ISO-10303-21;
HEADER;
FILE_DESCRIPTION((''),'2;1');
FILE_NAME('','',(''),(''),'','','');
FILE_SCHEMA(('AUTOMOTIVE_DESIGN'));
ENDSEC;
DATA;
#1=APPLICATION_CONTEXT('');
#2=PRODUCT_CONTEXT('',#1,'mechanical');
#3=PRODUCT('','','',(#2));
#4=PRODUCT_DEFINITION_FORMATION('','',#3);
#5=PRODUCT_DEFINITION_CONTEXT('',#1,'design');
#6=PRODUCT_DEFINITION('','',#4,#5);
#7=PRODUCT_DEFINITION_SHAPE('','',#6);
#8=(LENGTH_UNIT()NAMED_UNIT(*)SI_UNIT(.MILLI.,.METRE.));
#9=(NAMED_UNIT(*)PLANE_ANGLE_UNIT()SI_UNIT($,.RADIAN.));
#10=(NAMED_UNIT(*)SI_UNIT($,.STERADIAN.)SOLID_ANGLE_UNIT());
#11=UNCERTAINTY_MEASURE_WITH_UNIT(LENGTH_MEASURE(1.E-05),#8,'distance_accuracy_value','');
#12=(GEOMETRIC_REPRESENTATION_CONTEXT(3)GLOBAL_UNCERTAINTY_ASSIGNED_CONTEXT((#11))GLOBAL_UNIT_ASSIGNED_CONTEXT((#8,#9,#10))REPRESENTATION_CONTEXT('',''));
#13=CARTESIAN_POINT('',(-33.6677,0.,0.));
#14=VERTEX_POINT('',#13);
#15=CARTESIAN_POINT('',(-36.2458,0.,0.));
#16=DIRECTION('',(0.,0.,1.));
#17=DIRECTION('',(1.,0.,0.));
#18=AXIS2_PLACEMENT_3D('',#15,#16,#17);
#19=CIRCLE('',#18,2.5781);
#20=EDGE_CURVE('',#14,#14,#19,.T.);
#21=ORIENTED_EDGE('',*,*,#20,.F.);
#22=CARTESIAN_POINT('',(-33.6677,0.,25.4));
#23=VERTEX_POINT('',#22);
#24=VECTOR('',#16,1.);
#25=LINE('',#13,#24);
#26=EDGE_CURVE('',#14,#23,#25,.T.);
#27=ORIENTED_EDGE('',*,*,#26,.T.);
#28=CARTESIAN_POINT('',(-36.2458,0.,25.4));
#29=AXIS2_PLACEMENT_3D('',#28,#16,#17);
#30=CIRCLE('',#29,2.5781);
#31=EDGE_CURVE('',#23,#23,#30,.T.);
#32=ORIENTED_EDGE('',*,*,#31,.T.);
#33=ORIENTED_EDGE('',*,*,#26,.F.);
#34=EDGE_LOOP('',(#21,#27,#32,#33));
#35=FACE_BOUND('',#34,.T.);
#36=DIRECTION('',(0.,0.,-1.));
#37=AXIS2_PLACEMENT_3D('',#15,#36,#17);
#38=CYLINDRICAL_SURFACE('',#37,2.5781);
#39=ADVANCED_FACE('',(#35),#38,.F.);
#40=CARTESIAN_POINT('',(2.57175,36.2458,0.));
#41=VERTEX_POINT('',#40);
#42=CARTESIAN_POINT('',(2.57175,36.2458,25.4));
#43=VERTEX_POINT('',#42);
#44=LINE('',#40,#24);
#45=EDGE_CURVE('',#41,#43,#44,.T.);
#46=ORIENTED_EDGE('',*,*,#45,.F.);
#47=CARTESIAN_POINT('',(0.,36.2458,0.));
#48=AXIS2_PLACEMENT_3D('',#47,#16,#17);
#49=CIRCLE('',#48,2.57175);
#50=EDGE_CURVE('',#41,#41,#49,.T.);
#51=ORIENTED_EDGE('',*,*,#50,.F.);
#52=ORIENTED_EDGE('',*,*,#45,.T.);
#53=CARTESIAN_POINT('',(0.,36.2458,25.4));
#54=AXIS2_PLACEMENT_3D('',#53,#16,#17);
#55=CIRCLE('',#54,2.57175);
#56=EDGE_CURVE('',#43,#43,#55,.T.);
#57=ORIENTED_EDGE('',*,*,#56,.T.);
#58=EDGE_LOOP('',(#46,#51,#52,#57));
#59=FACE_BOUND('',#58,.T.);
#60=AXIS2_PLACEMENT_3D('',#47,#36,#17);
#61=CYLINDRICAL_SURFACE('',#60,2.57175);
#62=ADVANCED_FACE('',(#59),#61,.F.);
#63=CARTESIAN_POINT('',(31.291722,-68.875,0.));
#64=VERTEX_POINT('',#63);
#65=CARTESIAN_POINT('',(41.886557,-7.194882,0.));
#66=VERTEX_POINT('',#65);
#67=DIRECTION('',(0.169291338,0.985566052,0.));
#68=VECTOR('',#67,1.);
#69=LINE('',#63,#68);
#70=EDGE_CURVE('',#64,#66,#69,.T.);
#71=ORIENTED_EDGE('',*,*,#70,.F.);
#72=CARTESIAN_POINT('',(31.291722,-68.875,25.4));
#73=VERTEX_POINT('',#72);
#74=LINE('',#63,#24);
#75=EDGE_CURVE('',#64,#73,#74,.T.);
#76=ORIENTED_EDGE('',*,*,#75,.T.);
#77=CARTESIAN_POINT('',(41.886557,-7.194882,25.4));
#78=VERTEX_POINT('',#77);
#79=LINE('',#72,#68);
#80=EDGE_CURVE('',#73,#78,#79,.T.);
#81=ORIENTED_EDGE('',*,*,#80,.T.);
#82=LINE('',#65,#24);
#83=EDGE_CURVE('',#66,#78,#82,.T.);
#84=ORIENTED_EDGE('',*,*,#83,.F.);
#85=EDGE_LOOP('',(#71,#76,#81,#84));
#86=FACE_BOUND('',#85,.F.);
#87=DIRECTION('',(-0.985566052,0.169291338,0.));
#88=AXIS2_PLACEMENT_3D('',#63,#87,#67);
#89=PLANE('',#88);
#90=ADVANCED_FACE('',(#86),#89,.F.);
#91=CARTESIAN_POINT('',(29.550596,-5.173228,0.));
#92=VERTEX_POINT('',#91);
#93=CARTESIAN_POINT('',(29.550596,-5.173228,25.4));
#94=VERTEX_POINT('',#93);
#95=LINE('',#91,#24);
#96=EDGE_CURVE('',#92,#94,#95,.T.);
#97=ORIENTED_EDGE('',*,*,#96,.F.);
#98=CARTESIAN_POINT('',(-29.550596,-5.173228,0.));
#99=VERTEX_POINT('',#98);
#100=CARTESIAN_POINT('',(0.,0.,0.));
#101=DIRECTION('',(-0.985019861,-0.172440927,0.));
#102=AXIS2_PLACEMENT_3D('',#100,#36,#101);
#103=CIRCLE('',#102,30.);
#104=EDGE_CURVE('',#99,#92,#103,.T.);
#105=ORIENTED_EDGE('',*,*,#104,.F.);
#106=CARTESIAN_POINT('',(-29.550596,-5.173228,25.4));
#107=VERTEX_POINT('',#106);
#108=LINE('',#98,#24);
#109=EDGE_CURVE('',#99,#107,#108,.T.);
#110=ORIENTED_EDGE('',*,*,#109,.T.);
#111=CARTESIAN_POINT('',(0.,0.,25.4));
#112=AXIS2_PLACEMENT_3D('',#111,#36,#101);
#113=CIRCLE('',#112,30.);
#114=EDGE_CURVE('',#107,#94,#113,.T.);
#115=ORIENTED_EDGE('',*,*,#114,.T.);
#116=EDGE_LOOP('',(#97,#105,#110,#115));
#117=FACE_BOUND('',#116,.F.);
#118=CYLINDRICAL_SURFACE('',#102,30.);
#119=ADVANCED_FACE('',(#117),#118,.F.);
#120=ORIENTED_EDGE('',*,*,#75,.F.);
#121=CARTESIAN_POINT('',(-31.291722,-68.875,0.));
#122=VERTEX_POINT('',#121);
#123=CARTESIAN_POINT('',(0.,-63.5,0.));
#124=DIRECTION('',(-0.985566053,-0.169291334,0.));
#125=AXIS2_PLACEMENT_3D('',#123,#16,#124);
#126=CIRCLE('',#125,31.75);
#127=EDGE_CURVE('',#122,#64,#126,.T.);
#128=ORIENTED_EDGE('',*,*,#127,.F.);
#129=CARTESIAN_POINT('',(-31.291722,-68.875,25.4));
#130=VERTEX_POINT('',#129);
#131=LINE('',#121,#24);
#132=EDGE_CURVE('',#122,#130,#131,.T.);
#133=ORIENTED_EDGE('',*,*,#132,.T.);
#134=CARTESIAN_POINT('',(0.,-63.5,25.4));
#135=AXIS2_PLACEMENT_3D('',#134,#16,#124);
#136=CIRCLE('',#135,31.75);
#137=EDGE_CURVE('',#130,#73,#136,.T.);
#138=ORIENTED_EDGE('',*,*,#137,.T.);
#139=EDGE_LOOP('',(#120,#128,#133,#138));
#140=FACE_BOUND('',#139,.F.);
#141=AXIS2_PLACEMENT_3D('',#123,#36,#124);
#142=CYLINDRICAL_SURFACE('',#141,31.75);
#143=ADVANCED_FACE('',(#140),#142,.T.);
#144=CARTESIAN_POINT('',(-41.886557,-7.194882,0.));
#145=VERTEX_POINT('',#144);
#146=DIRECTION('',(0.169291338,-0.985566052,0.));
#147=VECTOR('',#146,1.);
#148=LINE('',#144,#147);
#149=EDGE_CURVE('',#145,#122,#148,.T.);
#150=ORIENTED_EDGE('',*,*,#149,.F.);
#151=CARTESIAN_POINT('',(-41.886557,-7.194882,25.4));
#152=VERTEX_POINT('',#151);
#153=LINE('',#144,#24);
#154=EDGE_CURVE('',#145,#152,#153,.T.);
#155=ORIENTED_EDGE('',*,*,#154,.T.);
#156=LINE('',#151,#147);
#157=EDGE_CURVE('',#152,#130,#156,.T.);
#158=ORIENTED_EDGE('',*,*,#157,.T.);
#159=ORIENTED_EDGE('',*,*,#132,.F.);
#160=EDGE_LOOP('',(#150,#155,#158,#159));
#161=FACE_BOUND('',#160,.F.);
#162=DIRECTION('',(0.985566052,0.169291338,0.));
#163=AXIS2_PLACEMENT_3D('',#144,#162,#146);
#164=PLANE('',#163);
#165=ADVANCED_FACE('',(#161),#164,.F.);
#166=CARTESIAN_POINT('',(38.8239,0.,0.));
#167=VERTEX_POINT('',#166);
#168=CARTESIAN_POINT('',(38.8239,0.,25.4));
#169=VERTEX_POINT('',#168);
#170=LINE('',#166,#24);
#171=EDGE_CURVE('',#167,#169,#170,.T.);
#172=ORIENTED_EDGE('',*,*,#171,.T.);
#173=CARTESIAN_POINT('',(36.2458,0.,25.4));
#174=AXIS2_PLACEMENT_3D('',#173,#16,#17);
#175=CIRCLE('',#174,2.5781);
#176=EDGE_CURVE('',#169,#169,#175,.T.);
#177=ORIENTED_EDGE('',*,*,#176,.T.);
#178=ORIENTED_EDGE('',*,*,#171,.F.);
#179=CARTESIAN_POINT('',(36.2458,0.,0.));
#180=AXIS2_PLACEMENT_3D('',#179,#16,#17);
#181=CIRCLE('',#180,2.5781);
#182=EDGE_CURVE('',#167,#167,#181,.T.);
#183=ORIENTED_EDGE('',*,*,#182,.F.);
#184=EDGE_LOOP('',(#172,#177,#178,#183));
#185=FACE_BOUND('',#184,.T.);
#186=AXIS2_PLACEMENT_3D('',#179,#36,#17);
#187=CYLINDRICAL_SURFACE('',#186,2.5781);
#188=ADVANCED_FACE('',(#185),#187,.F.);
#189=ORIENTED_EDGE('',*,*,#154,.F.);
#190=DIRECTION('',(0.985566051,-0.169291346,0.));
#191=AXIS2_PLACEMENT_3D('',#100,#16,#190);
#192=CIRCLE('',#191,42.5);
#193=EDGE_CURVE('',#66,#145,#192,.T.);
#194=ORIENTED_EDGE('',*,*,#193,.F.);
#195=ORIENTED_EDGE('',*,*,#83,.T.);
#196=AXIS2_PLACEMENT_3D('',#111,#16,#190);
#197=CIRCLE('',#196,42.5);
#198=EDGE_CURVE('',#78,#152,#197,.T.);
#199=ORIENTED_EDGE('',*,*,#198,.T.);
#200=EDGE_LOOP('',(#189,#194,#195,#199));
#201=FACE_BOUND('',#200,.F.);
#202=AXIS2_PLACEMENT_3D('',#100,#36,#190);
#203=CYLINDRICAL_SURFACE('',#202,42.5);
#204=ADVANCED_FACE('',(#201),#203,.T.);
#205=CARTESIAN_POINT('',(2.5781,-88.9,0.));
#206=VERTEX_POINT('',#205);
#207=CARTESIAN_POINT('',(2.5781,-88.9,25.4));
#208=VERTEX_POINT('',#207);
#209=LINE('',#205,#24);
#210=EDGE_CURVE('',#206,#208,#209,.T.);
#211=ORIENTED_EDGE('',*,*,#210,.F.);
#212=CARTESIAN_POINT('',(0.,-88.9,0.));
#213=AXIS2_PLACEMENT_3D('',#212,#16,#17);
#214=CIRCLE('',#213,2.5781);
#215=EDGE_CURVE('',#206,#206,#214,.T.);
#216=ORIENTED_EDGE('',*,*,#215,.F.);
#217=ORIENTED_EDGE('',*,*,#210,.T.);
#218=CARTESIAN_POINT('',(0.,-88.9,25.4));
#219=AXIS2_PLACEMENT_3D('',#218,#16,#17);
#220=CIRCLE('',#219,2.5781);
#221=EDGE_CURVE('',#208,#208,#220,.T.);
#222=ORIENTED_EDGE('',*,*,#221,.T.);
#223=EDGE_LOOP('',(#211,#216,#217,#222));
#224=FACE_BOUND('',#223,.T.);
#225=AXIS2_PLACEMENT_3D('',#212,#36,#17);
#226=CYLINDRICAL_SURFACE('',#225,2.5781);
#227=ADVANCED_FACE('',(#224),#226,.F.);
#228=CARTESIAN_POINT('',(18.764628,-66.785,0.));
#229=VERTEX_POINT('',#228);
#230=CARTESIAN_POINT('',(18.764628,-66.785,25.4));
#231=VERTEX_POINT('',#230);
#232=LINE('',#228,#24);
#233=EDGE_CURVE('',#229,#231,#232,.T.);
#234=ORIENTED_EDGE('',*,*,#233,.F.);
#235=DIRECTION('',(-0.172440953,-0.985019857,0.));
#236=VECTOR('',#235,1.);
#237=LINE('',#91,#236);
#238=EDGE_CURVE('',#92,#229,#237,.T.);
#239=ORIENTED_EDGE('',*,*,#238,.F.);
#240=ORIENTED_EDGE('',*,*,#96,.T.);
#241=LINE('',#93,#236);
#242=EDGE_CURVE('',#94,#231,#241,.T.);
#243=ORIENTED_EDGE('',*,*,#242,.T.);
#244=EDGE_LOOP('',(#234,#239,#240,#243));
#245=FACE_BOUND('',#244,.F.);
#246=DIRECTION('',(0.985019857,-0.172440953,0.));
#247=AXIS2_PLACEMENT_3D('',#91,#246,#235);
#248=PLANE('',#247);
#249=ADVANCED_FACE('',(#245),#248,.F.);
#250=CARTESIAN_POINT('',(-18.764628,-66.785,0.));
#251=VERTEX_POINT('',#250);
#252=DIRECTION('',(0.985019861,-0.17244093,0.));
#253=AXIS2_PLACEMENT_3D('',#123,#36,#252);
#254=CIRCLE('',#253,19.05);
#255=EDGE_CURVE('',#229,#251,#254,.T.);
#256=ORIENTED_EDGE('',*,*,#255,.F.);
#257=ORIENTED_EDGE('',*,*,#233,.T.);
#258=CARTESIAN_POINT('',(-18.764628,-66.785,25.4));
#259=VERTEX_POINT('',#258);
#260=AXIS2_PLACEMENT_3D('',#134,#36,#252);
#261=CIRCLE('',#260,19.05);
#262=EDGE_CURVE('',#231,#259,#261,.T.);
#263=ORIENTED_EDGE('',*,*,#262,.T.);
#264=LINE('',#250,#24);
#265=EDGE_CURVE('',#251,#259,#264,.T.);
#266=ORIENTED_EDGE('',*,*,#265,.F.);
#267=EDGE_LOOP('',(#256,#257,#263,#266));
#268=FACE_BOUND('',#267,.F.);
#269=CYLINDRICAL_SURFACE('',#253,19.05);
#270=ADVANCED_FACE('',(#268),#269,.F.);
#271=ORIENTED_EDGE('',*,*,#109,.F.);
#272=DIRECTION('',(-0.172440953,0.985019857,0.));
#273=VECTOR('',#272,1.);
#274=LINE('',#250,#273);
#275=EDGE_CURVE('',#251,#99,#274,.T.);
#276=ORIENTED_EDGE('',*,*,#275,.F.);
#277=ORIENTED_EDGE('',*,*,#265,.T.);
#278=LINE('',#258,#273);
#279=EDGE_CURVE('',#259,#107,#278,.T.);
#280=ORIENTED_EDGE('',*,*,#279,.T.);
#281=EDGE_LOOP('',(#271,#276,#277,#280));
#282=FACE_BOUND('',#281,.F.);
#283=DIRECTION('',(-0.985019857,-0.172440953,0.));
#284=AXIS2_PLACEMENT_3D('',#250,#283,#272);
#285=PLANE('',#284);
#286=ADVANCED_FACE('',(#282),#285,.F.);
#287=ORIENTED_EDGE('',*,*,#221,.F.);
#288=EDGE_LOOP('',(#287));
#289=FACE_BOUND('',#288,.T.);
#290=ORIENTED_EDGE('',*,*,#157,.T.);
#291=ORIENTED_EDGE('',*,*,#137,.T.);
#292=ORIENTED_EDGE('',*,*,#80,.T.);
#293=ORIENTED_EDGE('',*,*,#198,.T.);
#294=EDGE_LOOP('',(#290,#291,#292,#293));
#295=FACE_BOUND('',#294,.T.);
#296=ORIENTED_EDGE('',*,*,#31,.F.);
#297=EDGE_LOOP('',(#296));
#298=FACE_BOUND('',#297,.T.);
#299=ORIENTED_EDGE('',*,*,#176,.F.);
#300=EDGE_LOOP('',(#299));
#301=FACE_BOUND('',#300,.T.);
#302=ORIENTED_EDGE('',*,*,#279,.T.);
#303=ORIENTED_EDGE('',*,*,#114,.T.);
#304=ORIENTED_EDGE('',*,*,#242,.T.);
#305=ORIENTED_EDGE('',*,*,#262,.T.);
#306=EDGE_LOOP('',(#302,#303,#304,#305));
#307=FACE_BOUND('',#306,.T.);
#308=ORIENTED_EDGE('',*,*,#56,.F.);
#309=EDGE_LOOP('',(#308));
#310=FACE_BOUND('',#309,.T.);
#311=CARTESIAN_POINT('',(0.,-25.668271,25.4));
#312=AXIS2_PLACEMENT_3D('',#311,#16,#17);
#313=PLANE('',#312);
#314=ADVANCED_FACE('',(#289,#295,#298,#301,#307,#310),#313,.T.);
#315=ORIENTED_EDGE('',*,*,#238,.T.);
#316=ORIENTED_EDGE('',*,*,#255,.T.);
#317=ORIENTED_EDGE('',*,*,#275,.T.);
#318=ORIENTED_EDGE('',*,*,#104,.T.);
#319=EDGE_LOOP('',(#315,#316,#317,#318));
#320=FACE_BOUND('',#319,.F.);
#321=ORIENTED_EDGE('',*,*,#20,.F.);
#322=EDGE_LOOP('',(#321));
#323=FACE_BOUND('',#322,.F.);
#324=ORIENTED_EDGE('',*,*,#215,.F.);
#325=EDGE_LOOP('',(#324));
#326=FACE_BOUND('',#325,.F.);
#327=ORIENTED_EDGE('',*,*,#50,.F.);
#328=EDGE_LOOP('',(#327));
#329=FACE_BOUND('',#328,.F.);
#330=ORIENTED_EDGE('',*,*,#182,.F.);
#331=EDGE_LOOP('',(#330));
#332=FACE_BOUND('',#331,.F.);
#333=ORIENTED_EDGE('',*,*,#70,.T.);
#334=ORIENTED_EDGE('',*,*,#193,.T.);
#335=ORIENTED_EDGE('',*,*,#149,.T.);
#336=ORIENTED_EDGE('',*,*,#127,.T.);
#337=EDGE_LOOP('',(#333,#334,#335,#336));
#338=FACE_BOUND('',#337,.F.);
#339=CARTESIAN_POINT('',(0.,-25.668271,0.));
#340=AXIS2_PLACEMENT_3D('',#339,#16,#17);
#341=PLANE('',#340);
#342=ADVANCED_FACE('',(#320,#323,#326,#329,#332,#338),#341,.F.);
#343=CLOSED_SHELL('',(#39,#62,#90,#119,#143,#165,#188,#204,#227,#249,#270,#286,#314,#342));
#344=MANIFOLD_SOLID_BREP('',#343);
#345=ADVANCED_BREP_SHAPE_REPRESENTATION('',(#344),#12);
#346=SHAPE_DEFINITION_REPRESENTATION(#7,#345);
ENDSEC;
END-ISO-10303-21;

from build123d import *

# Parameters (mm, degrees)
F0_R     = 2.5781
F0_R_2   = 2.57175
F1_DEPTH = 25.4


with BuildPart() as f1:
    # F0 (on Top) → F1 (new body)
    with BuildSketch(Plane.XY):
        with BuildLine():
            ThreePointArc((-31.291722, -68.875), (0, -95.25), (31.291722, -68.875))
            Line((31.291722, -68.875), (41.886557, -7.194882))
            ThreePointArc((41.886557, -7.194882), (0, 42.5), (-41.886557, -7.194882))
            Line((-41.886557, -7.194882), (-31.291722, -68.875))
        make_face()
        with Locations((0, -88.9)):
            Circle(F0_R, mode=Mode.SUBTRACT)
        with Locations((-36.2458, 0)):
            Circle(F0_R, mode=Mode.SUBTRACT)
        with BuildLine():
            ThreePointArc((-29.550596, -5.173228), (0, 30), (29.550596, -5.173228))
            Line((29.550596, -5.173228), (18.764628, -66.785))
            ThreePointArc((18.764628, -66.785), (0, -82.55), (-18.764628, -66.785))
            Line((-18.764628, -66.785), (-29.550596, -5.173228))
        make_face(mode=Mode.SUBTRACT)
        with Locations((36.2458, 0)):
            Circle(F0_R, mode=Mode.SUBTRACT)
        with Locations((0, 36.2458)):
            Circle(F0_R_2, mode=Mode.SUBTRACT)
    extrude(amount=F1_DEPTH)


solid = f1.part
